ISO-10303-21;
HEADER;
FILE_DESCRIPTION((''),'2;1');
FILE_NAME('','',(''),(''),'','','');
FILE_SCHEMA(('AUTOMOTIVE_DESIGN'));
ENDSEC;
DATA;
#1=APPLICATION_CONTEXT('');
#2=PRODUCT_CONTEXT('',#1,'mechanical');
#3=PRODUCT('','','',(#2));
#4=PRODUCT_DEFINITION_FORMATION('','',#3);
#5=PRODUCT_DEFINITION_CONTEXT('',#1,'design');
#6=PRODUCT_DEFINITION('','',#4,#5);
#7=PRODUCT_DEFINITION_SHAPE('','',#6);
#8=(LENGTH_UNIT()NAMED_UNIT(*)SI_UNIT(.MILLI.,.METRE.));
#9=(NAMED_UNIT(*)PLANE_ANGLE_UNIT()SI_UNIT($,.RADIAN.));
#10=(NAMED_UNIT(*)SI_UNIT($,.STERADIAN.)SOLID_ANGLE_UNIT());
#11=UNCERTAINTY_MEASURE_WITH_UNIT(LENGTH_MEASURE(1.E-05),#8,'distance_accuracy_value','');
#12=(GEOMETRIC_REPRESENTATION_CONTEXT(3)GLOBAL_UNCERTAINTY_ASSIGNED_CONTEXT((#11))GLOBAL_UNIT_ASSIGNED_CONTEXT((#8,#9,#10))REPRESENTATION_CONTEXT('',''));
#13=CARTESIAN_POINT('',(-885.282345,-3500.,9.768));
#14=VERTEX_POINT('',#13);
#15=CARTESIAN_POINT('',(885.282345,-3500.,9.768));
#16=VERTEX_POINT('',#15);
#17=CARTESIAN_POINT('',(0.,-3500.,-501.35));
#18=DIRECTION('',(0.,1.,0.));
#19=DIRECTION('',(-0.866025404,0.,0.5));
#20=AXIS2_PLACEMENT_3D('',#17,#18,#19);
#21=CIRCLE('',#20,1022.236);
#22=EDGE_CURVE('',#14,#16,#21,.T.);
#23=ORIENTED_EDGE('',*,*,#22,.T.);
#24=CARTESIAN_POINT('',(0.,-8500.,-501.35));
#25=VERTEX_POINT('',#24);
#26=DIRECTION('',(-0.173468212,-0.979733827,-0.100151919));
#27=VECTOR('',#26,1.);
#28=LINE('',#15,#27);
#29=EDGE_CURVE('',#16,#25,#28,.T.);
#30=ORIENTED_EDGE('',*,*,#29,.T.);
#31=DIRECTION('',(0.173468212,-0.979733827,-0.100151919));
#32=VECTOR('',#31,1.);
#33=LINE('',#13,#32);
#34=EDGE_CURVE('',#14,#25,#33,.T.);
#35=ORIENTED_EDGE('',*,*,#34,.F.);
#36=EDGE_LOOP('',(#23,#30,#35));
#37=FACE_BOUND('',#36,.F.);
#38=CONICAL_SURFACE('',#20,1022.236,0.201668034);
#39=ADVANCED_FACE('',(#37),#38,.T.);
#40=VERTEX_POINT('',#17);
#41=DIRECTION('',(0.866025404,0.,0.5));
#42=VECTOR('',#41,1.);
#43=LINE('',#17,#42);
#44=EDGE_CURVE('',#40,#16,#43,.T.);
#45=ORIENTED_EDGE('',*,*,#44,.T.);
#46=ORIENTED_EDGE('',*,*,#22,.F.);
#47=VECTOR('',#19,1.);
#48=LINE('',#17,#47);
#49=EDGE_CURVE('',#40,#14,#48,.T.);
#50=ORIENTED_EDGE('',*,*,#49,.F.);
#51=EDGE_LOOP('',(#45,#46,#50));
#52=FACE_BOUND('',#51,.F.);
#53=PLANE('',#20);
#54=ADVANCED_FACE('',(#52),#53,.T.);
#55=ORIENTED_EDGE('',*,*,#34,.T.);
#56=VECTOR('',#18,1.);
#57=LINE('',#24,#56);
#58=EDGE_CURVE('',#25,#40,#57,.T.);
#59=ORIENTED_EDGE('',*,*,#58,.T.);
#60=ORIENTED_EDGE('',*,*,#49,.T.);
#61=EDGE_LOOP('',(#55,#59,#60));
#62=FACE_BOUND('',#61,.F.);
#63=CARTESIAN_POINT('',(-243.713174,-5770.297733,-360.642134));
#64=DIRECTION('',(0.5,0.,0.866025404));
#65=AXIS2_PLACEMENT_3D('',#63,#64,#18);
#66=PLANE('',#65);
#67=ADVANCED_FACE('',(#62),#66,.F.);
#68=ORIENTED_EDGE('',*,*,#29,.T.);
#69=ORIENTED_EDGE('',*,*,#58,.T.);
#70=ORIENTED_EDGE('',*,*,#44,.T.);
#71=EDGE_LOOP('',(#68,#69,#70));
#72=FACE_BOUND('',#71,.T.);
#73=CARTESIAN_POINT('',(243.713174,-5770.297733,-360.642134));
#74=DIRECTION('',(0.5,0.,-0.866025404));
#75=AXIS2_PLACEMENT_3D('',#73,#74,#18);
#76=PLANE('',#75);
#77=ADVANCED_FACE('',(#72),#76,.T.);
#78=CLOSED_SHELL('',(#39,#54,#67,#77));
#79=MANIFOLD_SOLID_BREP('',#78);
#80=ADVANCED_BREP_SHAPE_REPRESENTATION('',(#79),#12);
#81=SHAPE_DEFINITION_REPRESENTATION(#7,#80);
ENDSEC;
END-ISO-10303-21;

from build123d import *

# Parameters (mm, degrees)
F1_ANGLE_BACK = 60
F1_ANGLE      = 120


with BuildPart() as f1:
    # F0 (on Right) → F1 (revolve)
    with BuildSketch(Plane.YZ, mode=Mode.PRIVATE) as f1_sk:
        Polygon((-3500, -501.35), (-3500, 520.886), (-8500, -501.35), align=None)
    revolve(f1_sk.sketch.rotate(Axis((0, -6000, -501.35), (0, 1, 0)), -F1_ANGLE_BACK), axis=Axis((0, -6000, -501.35), (0, 1, 0)), revolution_arc=F1_ANGLE)


solid = f1.part
